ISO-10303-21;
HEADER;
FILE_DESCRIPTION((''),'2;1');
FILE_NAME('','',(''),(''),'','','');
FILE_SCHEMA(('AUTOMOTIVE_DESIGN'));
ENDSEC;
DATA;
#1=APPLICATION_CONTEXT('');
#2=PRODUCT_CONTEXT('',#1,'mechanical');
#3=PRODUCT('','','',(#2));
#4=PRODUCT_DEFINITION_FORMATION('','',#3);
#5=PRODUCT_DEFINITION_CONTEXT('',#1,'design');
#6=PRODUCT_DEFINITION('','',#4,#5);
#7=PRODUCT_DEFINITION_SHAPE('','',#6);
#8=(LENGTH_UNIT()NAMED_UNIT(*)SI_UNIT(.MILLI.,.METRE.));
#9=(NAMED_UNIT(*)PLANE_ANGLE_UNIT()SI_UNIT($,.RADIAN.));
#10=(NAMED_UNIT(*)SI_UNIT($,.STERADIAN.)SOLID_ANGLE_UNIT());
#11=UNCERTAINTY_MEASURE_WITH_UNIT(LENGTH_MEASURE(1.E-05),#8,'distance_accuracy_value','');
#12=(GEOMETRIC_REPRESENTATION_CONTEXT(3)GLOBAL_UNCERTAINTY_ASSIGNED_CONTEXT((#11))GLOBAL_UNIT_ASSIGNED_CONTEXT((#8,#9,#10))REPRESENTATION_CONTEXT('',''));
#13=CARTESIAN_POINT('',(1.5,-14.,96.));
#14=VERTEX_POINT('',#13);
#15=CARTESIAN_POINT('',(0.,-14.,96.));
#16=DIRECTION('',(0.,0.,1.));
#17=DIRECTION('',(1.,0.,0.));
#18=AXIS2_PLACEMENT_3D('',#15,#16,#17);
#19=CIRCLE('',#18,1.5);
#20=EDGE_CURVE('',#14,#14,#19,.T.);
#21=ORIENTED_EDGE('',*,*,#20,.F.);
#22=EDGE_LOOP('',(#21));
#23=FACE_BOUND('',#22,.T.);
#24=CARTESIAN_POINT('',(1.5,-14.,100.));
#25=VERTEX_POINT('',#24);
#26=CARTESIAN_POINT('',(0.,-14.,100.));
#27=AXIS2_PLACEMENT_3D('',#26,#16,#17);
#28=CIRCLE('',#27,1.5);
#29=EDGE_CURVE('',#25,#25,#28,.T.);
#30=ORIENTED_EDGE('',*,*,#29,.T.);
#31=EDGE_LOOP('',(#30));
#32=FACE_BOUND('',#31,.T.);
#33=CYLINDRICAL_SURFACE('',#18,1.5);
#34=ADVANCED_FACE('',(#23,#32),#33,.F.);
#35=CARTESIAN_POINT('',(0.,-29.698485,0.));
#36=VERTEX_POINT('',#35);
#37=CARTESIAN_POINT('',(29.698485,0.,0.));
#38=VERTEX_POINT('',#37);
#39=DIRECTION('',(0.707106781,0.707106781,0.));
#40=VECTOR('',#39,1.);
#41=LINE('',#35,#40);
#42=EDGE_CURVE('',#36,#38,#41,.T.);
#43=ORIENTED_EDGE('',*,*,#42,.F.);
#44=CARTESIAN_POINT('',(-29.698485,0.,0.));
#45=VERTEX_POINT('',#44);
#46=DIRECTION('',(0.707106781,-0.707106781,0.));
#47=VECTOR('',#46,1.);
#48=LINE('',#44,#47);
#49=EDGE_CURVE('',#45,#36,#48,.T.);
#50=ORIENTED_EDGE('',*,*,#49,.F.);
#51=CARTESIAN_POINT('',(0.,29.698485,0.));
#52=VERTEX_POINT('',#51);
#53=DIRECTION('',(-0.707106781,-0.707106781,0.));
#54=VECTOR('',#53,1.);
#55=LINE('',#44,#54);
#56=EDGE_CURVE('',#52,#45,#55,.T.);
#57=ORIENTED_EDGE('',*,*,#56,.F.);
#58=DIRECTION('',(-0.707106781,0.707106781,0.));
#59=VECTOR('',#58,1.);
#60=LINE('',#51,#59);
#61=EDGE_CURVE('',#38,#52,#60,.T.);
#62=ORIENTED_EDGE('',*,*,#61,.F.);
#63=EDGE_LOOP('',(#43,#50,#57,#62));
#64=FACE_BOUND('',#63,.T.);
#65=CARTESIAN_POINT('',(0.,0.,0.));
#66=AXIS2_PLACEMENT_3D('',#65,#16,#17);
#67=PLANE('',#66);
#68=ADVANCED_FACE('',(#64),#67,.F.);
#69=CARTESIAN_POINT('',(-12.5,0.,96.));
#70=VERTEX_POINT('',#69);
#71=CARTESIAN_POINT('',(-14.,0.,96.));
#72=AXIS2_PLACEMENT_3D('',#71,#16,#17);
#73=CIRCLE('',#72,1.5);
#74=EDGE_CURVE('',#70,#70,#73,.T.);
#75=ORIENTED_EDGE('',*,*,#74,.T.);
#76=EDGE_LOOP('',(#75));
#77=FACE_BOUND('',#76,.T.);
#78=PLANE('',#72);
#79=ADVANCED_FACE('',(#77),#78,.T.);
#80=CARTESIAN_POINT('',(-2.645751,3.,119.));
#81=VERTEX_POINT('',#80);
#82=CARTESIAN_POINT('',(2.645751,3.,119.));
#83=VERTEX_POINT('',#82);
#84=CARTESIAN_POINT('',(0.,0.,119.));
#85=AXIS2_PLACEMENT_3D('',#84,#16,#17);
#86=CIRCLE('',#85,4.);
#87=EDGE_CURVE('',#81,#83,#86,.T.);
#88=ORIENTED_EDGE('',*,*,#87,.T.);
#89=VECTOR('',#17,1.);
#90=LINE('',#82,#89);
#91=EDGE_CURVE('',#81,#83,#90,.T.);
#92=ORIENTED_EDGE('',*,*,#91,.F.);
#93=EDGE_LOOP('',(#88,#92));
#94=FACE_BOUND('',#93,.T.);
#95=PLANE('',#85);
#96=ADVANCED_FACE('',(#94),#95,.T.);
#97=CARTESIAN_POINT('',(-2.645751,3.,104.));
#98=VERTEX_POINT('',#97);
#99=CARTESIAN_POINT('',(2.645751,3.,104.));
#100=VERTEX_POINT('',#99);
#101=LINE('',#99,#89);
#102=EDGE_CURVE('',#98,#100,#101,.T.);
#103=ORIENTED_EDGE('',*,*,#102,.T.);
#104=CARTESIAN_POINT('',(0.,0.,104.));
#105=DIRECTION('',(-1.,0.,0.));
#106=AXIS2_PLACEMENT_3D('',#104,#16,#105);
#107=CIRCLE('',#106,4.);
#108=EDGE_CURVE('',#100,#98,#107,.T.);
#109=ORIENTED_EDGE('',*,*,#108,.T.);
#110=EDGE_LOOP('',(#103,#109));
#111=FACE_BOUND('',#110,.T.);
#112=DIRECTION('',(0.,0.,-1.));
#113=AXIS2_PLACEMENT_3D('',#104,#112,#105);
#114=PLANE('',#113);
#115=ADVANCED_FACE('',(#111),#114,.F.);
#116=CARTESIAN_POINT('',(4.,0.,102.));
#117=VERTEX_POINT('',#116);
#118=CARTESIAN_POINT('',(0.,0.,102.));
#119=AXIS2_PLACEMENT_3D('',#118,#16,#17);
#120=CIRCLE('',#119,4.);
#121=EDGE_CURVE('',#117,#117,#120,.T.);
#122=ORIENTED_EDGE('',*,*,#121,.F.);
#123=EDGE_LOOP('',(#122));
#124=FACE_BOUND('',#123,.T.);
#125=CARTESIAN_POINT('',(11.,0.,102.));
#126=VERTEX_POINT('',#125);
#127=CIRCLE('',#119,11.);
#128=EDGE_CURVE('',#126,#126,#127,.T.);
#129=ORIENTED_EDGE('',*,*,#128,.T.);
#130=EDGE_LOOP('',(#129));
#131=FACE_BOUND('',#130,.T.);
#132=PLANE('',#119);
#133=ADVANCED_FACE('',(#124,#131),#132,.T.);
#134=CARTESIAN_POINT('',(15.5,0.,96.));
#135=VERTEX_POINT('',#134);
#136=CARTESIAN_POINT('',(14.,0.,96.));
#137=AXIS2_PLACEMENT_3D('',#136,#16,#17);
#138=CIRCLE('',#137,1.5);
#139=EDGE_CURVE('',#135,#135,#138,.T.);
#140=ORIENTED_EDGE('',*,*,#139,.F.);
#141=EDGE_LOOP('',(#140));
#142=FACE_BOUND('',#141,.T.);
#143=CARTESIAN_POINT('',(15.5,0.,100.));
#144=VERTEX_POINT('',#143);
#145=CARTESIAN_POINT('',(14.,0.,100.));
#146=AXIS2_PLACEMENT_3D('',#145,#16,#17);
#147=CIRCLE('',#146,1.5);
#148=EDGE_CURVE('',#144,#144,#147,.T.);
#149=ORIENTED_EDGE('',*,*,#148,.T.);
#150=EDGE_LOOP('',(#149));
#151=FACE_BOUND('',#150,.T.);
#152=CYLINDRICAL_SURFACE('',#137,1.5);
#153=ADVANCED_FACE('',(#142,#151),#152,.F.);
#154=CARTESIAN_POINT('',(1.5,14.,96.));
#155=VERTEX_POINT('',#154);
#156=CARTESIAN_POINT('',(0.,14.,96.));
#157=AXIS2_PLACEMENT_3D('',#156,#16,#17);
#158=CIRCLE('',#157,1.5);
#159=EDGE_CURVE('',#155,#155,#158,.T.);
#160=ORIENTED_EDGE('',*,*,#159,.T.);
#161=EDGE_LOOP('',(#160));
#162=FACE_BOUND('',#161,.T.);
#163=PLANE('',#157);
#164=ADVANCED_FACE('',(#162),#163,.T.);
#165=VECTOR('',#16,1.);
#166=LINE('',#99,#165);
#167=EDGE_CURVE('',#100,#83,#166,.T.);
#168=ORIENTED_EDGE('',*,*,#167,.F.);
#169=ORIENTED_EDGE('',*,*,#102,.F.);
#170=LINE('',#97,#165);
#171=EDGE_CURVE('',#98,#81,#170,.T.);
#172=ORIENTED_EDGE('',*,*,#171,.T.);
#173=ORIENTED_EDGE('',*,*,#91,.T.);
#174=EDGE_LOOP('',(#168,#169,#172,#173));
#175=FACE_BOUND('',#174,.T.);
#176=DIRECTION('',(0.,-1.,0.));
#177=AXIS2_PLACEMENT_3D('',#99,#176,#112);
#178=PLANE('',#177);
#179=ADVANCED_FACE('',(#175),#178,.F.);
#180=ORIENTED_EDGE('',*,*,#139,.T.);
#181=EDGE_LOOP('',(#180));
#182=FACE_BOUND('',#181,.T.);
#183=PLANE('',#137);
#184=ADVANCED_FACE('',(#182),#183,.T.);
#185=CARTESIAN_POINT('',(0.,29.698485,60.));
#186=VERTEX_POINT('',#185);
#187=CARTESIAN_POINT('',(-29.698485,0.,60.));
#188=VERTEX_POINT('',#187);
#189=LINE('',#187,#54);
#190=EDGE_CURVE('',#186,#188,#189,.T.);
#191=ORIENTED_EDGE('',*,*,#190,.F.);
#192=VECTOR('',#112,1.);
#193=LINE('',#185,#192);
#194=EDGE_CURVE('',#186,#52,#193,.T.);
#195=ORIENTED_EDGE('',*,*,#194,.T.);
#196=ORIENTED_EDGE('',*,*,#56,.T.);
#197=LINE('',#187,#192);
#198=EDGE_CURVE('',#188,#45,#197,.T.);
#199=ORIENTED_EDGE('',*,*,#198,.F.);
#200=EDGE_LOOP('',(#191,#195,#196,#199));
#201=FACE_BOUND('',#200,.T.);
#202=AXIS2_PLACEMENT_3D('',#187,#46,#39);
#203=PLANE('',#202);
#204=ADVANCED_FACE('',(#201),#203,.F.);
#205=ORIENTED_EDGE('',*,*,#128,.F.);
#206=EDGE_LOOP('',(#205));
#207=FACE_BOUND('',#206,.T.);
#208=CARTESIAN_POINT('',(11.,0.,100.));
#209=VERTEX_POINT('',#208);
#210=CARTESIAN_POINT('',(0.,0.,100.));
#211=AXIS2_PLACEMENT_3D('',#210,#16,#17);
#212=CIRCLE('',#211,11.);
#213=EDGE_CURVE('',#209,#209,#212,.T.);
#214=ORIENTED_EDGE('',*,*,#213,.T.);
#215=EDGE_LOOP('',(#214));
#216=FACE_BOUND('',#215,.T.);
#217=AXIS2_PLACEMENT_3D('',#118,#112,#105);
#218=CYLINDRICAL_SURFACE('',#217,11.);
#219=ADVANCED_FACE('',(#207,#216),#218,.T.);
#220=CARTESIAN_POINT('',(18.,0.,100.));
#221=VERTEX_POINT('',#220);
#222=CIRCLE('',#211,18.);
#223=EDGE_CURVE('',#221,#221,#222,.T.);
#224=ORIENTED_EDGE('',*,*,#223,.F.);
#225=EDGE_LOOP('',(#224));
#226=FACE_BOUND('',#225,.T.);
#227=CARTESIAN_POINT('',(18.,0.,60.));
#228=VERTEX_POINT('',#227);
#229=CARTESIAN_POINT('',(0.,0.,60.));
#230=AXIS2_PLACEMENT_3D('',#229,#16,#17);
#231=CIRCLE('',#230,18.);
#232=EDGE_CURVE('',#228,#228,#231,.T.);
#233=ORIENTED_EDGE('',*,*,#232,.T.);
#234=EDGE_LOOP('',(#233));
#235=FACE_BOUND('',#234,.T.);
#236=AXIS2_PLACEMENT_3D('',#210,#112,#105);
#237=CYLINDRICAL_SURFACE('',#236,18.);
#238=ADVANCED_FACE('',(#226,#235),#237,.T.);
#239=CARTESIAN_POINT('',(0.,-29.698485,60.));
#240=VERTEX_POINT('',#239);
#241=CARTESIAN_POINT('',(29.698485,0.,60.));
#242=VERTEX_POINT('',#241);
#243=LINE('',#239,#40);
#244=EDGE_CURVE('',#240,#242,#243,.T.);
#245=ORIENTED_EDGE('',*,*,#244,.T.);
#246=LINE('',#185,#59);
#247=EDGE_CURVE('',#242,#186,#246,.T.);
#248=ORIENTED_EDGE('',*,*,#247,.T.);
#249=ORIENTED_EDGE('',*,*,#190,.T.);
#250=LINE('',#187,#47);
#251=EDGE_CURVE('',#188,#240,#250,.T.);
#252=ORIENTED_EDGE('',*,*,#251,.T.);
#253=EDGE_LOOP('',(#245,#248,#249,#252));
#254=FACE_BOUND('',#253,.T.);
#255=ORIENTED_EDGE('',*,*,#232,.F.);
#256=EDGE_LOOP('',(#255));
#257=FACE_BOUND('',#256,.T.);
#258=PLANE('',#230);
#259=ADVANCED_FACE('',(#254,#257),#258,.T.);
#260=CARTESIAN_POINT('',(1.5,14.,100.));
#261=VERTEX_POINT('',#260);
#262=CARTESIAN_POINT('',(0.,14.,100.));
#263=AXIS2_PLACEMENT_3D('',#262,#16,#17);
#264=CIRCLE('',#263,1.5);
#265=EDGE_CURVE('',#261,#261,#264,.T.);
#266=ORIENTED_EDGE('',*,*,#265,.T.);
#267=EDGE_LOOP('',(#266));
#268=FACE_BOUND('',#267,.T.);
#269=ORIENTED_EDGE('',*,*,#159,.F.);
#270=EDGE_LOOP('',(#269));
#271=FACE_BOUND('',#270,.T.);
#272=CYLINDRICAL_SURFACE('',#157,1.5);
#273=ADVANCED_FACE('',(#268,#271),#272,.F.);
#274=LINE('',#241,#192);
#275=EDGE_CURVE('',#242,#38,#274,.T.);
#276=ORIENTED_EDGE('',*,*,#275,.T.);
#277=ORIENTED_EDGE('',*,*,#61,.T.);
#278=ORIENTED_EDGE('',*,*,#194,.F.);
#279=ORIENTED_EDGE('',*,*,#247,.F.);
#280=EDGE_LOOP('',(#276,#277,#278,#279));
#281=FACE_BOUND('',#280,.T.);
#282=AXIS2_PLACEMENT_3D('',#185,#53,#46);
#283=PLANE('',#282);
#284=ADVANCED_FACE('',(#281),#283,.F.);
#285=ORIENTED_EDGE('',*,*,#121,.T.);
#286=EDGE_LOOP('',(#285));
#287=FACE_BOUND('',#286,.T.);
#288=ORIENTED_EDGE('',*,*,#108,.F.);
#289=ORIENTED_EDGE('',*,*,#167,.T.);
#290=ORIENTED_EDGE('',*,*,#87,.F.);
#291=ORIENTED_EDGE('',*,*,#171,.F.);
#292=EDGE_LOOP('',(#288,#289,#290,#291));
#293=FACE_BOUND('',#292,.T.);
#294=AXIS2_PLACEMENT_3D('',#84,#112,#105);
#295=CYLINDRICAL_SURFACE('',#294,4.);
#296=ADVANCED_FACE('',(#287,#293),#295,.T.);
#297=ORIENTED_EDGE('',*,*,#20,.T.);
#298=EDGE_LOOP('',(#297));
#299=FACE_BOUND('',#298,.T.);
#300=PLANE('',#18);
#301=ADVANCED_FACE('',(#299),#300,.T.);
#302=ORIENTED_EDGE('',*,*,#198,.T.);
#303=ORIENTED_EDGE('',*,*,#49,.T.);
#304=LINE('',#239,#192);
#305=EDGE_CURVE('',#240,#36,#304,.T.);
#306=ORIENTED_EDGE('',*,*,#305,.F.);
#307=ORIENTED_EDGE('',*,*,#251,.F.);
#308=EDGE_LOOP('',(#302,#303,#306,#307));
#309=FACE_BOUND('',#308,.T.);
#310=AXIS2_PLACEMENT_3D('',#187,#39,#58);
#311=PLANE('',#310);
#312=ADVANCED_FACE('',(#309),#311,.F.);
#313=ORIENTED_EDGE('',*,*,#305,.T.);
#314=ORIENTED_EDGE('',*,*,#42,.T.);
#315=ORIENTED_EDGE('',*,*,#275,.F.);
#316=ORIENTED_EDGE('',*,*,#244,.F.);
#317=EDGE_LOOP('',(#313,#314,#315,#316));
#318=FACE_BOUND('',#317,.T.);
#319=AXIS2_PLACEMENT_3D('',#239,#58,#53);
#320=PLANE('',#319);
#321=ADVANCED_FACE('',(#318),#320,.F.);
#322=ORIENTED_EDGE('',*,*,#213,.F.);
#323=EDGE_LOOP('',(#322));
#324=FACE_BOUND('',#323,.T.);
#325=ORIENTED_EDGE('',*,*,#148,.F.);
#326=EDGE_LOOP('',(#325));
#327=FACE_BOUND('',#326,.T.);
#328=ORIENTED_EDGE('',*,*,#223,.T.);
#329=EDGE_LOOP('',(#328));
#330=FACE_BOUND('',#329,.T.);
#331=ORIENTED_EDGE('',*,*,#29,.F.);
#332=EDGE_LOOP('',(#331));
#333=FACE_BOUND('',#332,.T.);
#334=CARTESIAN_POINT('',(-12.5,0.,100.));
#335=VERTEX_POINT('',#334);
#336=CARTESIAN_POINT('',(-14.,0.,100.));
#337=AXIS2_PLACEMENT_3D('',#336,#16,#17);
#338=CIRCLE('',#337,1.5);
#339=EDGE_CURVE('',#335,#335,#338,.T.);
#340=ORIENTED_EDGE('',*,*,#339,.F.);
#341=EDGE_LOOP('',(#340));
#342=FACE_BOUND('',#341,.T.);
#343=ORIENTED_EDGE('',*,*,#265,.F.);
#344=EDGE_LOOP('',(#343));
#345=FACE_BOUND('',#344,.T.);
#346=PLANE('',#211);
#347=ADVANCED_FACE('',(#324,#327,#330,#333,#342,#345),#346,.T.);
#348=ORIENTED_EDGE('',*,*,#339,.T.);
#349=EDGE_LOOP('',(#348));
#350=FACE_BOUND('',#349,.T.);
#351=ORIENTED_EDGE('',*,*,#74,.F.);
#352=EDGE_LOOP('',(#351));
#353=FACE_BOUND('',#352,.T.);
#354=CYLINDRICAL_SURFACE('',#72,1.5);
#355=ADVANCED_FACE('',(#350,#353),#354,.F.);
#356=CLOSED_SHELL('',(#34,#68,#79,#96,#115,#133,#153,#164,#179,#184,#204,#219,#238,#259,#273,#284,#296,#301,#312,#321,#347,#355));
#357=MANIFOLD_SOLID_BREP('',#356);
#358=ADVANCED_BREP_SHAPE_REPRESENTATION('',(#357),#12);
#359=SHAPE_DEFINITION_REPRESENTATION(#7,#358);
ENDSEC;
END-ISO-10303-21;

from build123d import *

# Parameters (mm, degrees)
EXTRUDE_1_DEPTH     = 60
SKETCH_2_R          = 18
EXTRUDE_2_DEPTH     = 40
SKETCH_3_R          = 11
EXTRUDE_3_DEPTH     = 2
SKETCH_4_R          = 4
EXTRUDE_4_DEPTH     = 17
SKETCH_5_R          = 1.5
CUT_EXTRUDE_1_DEPTH = 4
CUT_EXTRUDE_START   = -15
CUT_EXTRUDE_2_DEPTH = 15


with BuildPart() as part:
    # 草图1 → 凸台-拉伸1 (new body)
    with BuildSketch(Plane.XY):
        Polygon((-29.69848481, 0), (0, 29.69848481), (29.69848481, 0), (0, -29.69848481), align=None)
    extrude(amount=EXTRUDE_1_DEPTH)

    # 草图2 → 凸台-拉伸2 (add)
    with BuildSketch(Plane.XY.offset(60)):
        Circle(SKETCH_2_R)
    extrude(amount=EXTRUDE_2_DEPTH)

    # 草图3 → 凸台-拉伸3 (add)
    with BuildSketch(Plane.XY.offset(100)):
        Circle(SKETCH_3_R)
    extrude(amount=EXTRUDE_3_DEPTH)

    # 草图4 → 凸台-拉伸4 (add)
    with BuildSketch(Plane.XY.offset(102)):
        Circle(SKETCH_4_R)
    extrude(amount=EXTRUDE_4_DEPTH)

    # 草图5 → 切除-拉伸1 (cut)
    with BuildSketch(Plane.XY.offset(100)):
        with Locations((0, 14)):
            Circle(SKETCH_5_R)
        with Locations((14, 0)):
            Circle(SKETCH_5_R)
        with Locations((0, -14)):
            Circle(SKETCH_5_R)
        with Locations((-14, 0)):
            Circle(SKETCH_5_R)
    extrude(amount=-CUT_EXTRUDE_1_DEPTH, mode=Mode.SUBTRACT)

    # 草图6 → 切除-拉伸2 (cut)
    with BuildSketch(Plane.XY.offset(119).offset(CUT_EXTRUDE_START)):
        with BuildLine():
            Line((2.645751311, 3), (-2.645751311, 3))
            ThreePointArc((-2.645751311, 3), (0, 4), (2.645751311, 3))
        make_face()
    extrude(amount=CUT_EXTRUDE_2_DEPTH, mode=Mode.SUBTRACT)


solid = part.part
